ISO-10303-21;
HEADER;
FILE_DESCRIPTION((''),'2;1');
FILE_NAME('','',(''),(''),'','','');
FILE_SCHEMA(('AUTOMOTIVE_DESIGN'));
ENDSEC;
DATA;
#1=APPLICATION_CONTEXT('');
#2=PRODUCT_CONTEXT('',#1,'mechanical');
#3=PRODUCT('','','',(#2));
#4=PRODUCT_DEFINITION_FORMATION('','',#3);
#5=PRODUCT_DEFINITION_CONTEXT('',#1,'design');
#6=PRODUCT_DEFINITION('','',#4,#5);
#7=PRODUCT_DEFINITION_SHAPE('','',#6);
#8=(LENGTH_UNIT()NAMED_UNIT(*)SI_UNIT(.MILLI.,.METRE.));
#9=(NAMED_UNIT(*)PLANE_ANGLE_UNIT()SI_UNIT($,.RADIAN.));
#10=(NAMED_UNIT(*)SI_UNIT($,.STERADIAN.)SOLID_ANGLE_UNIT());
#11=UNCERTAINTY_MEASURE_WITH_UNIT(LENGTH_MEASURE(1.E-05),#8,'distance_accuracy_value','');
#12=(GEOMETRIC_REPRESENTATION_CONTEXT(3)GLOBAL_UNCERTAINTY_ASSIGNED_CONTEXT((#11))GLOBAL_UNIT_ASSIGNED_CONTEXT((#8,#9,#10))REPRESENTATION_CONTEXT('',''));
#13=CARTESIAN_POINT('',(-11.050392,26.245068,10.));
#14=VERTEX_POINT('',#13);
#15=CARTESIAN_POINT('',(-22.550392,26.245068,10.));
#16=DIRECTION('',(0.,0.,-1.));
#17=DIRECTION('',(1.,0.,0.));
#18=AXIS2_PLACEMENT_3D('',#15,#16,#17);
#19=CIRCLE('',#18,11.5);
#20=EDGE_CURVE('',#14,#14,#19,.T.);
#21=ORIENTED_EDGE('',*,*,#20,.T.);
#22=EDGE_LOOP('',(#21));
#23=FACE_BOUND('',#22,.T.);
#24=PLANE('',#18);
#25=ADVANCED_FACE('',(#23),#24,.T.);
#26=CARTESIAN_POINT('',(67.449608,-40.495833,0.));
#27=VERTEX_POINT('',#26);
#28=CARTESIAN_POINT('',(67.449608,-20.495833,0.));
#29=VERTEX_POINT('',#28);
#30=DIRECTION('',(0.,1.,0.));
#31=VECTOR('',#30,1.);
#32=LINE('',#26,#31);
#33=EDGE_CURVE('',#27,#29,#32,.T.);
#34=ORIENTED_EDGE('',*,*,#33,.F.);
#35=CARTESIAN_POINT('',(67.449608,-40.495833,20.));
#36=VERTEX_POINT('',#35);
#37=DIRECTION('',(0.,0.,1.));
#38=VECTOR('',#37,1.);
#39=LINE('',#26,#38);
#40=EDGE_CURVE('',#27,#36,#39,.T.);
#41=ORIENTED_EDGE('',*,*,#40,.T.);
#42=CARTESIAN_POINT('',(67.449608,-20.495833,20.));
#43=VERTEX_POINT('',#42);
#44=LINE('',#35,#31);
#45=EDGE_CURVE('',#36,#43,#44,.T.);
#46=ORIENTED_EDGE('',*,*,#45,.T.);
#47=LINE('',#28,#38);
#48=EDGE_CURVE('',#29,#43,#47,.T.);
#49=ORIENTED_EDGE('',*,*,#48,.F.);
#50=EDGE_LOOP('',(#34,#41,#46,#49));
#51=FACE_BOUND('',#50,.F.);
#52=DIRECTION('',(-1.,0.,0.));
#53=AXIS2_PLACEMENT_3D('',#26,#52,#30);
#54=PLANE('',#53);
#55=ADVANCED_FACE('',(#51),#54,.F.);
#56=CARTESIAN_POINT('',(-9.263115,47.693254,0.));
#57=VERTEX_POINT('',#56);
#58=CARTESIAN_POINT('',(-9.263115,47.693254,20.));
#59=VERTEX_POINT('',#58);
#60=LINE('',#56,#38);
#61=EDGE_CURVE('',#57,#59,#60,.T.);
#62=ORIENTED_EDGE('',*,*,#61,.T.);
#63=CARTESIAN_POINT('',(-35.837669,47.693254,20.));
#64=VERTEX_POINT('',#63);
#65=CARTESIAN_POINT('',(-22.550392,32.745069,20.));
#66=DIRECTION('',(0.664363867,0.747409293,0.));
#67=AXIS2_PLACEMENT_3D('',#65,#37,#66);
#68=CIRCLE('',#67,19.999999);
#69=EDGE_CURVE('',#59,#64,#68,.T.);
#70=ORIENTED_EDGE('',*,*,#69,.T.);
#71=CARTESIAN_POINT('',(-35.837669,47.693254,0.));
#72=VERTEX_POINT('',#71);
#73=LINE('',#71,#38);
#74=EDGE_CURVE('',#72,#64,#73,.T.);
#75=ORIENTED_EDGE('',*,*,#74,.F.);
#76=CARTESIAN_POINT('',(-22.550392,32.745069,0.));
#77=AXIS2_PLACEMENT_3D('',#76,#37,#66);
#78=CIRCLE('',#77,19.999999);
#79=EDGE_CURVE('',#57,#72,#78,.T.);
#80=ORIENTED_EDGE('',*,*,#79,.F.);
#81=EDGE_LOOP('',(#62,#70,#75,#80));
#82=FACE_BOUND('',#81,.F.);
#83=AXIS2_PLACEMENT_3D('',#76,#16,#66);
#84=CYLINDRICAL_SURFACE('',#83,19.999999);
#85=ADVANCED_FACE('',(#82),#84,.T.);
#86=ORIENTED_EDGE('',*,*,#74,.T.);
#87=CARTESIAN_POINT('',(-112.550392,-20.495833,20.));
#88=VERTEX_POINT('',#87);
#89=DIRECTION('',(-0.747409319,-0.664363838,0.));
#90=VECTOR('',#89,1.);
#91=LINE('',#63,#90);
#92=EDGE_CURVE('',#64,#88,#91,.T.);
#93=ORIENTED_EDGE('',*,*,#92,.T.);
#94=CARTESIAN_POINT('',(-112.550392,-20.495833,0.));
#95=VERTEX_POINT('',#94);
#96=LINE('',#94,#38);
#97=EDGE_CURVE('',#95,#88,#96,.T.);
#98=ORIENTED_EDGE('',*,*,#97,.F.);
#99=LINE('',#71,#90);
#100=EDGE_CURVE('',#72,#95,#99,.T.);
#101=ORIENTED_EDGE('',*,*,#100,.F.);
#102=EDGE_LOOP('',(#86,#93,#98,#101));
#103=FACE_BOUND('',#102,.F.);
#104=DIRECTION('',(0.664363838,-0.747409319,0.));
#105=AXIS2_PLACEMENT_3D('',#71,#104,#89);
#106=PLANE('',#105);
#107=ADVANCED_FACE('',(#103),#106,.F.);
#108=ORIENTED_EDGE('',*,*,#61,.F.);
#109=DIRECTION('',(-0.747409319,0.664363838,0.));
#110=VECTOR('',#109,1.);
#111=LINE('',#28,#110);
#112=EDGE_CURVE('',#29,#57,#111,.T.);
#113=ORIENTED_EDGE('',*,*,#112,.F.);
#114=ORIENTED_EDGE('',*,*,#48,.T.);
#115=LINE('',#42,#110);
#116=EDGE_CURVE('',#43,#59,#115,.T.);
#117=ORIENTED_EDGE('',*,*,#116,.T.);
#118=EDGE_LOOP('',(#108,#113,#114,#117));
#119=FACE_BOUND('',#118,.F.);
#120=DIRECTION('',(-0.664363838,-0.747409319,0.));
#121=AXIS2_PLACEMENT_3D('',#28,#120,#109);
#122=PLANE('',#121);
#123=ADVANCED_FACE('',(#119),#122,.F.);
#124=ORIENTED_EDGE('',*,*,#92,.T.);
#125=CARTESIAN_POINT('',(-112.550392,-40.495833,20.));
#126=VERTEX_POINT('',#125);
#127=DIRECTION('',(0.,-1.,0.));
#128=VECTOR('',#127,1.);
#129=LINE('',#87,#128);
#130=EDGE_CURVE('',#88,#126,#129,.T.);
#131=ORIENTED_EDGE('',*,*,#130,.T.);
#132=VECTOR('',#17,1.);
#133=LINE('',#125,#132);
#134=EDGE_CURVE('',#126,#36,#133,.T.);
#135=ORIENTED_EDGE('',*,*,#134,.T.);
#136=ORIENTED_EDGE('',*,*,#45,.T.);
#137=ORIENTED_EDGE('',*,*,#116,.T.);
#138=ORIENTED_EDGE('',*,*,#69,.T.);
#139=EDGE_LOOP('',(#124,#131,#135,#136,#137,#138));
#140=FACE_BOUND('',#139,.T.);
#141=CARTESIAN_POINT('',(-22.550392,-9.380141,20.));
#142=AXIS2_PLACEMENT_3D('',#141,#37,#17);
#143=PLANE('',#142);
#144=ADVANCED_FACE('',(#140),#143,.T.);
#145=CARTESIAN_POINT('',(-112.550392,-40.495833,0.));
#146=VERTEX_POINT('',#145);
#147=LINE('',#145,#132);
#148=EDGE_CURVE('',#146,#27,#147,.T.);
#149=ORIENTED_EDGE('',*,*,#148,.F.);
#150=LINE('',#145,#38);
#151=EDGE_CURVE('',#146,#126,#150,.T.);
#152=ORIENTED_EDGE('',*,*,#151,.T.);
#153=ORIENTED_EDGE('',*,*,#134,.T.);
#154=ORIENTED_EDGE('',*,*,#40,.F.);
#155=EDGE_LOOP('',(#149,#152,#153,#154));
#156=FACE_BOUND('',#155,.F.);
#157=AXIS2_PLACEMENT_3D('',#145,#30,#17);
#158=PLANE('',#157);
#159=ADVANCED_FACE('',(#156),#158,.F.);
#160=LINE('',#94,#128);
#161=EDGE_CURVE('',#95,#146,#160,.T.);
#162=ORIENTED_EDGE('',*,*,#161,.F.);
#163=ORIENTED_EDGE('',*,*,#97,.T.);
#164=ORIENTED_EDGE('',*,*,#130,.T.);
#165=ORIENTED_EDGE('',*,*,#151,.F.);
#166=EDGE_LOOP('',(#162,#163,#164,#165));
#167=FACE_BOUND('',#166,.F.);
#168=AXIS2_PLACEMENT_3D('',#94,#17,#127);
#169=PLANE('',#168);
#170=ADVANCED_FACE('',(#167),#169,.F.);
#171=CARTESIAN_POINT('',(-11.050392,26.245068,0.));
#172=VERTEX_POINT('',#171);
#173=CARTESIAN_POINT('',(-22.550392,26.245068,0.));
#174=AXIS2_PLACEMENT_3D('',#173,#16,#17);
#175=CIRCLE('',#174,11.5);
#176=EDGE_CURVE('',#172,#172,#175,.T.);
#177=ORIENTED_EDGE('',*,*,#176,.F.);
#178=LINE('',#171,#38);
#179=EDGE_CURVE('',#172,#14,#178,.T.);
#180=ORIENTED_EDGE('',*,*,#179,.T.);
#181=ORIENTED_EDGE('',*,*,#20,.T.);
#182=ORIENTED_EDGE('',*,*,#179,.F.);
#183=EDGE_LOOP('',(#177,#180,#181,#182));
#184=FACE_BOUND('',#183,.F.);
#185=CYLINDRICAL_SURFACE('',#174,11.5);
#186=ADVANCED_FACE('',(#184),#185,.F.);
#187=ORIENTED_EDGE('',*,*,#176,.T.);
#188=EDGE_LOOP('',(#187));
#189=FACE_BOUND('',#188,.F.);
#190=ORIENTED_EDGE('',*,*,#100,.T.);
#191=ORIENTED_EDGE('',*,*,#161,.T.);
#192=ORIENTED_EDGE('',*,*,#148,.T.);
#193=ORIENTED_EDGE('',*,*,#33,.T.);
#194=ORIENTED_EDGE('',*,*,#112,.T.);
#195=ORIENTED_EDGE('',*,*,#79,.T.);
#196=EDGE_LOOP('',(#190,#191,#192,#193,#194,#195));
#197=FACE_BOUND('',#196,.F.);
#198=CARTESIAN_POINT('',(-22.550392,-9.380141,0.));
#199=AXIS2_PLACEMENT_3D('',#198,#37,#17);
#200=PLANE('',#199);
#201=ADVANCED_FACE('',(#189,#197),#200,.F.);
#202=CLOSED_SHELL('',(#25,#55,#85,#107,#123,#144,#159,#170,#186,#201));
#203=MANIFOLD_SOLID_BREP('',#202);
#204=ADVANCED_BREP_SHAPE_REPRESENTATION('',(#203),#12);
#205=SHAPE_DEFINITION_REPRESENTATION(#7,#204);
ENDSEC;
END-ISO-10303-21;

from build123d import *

# Parameters (mm, degrees)
F1_DEPTH = 20
F2_R     = 11.5
F3_DEPTH = 10


with BuildPart() as f1:
    # F0 (on Top) → F1 (new body)
    with BuildSketch(Plane.XY):
        with BuildLine():
            Line((-35.837669, 47.693254), (-112.550392, -20.495833))
            Line((-112.550392, -20.495833), (-112.550392, -40.495833))
            Line((-112.550392, -40.495833), (67.449608, -40.495833))
            Line((67.449608, -40.495833), (67.449608, -20.495833))
            Line((67.449608, -20.495833), (-9.263115, 47.693254))
            ThreePointArc((-9.263115, 47.693254), (-22.550392, 52.745068), (-35.837669, 47.693254))
        make_face()
    extrude(amount=F1_DEPTH)

    # F2 (on face) → F3 (cut)
    with BuildSketch(Plane(origin=(0, 0, 0), x_dir=(1, 0, 0), z_dir=(0, 0, -1))):
        with Locations((-22.550392, -26.245068)):
            Circle(F2_R)
    extrude(amount=-F3_DEPTH, mode=Mode.SUBTRACT)


solid = f1.part
